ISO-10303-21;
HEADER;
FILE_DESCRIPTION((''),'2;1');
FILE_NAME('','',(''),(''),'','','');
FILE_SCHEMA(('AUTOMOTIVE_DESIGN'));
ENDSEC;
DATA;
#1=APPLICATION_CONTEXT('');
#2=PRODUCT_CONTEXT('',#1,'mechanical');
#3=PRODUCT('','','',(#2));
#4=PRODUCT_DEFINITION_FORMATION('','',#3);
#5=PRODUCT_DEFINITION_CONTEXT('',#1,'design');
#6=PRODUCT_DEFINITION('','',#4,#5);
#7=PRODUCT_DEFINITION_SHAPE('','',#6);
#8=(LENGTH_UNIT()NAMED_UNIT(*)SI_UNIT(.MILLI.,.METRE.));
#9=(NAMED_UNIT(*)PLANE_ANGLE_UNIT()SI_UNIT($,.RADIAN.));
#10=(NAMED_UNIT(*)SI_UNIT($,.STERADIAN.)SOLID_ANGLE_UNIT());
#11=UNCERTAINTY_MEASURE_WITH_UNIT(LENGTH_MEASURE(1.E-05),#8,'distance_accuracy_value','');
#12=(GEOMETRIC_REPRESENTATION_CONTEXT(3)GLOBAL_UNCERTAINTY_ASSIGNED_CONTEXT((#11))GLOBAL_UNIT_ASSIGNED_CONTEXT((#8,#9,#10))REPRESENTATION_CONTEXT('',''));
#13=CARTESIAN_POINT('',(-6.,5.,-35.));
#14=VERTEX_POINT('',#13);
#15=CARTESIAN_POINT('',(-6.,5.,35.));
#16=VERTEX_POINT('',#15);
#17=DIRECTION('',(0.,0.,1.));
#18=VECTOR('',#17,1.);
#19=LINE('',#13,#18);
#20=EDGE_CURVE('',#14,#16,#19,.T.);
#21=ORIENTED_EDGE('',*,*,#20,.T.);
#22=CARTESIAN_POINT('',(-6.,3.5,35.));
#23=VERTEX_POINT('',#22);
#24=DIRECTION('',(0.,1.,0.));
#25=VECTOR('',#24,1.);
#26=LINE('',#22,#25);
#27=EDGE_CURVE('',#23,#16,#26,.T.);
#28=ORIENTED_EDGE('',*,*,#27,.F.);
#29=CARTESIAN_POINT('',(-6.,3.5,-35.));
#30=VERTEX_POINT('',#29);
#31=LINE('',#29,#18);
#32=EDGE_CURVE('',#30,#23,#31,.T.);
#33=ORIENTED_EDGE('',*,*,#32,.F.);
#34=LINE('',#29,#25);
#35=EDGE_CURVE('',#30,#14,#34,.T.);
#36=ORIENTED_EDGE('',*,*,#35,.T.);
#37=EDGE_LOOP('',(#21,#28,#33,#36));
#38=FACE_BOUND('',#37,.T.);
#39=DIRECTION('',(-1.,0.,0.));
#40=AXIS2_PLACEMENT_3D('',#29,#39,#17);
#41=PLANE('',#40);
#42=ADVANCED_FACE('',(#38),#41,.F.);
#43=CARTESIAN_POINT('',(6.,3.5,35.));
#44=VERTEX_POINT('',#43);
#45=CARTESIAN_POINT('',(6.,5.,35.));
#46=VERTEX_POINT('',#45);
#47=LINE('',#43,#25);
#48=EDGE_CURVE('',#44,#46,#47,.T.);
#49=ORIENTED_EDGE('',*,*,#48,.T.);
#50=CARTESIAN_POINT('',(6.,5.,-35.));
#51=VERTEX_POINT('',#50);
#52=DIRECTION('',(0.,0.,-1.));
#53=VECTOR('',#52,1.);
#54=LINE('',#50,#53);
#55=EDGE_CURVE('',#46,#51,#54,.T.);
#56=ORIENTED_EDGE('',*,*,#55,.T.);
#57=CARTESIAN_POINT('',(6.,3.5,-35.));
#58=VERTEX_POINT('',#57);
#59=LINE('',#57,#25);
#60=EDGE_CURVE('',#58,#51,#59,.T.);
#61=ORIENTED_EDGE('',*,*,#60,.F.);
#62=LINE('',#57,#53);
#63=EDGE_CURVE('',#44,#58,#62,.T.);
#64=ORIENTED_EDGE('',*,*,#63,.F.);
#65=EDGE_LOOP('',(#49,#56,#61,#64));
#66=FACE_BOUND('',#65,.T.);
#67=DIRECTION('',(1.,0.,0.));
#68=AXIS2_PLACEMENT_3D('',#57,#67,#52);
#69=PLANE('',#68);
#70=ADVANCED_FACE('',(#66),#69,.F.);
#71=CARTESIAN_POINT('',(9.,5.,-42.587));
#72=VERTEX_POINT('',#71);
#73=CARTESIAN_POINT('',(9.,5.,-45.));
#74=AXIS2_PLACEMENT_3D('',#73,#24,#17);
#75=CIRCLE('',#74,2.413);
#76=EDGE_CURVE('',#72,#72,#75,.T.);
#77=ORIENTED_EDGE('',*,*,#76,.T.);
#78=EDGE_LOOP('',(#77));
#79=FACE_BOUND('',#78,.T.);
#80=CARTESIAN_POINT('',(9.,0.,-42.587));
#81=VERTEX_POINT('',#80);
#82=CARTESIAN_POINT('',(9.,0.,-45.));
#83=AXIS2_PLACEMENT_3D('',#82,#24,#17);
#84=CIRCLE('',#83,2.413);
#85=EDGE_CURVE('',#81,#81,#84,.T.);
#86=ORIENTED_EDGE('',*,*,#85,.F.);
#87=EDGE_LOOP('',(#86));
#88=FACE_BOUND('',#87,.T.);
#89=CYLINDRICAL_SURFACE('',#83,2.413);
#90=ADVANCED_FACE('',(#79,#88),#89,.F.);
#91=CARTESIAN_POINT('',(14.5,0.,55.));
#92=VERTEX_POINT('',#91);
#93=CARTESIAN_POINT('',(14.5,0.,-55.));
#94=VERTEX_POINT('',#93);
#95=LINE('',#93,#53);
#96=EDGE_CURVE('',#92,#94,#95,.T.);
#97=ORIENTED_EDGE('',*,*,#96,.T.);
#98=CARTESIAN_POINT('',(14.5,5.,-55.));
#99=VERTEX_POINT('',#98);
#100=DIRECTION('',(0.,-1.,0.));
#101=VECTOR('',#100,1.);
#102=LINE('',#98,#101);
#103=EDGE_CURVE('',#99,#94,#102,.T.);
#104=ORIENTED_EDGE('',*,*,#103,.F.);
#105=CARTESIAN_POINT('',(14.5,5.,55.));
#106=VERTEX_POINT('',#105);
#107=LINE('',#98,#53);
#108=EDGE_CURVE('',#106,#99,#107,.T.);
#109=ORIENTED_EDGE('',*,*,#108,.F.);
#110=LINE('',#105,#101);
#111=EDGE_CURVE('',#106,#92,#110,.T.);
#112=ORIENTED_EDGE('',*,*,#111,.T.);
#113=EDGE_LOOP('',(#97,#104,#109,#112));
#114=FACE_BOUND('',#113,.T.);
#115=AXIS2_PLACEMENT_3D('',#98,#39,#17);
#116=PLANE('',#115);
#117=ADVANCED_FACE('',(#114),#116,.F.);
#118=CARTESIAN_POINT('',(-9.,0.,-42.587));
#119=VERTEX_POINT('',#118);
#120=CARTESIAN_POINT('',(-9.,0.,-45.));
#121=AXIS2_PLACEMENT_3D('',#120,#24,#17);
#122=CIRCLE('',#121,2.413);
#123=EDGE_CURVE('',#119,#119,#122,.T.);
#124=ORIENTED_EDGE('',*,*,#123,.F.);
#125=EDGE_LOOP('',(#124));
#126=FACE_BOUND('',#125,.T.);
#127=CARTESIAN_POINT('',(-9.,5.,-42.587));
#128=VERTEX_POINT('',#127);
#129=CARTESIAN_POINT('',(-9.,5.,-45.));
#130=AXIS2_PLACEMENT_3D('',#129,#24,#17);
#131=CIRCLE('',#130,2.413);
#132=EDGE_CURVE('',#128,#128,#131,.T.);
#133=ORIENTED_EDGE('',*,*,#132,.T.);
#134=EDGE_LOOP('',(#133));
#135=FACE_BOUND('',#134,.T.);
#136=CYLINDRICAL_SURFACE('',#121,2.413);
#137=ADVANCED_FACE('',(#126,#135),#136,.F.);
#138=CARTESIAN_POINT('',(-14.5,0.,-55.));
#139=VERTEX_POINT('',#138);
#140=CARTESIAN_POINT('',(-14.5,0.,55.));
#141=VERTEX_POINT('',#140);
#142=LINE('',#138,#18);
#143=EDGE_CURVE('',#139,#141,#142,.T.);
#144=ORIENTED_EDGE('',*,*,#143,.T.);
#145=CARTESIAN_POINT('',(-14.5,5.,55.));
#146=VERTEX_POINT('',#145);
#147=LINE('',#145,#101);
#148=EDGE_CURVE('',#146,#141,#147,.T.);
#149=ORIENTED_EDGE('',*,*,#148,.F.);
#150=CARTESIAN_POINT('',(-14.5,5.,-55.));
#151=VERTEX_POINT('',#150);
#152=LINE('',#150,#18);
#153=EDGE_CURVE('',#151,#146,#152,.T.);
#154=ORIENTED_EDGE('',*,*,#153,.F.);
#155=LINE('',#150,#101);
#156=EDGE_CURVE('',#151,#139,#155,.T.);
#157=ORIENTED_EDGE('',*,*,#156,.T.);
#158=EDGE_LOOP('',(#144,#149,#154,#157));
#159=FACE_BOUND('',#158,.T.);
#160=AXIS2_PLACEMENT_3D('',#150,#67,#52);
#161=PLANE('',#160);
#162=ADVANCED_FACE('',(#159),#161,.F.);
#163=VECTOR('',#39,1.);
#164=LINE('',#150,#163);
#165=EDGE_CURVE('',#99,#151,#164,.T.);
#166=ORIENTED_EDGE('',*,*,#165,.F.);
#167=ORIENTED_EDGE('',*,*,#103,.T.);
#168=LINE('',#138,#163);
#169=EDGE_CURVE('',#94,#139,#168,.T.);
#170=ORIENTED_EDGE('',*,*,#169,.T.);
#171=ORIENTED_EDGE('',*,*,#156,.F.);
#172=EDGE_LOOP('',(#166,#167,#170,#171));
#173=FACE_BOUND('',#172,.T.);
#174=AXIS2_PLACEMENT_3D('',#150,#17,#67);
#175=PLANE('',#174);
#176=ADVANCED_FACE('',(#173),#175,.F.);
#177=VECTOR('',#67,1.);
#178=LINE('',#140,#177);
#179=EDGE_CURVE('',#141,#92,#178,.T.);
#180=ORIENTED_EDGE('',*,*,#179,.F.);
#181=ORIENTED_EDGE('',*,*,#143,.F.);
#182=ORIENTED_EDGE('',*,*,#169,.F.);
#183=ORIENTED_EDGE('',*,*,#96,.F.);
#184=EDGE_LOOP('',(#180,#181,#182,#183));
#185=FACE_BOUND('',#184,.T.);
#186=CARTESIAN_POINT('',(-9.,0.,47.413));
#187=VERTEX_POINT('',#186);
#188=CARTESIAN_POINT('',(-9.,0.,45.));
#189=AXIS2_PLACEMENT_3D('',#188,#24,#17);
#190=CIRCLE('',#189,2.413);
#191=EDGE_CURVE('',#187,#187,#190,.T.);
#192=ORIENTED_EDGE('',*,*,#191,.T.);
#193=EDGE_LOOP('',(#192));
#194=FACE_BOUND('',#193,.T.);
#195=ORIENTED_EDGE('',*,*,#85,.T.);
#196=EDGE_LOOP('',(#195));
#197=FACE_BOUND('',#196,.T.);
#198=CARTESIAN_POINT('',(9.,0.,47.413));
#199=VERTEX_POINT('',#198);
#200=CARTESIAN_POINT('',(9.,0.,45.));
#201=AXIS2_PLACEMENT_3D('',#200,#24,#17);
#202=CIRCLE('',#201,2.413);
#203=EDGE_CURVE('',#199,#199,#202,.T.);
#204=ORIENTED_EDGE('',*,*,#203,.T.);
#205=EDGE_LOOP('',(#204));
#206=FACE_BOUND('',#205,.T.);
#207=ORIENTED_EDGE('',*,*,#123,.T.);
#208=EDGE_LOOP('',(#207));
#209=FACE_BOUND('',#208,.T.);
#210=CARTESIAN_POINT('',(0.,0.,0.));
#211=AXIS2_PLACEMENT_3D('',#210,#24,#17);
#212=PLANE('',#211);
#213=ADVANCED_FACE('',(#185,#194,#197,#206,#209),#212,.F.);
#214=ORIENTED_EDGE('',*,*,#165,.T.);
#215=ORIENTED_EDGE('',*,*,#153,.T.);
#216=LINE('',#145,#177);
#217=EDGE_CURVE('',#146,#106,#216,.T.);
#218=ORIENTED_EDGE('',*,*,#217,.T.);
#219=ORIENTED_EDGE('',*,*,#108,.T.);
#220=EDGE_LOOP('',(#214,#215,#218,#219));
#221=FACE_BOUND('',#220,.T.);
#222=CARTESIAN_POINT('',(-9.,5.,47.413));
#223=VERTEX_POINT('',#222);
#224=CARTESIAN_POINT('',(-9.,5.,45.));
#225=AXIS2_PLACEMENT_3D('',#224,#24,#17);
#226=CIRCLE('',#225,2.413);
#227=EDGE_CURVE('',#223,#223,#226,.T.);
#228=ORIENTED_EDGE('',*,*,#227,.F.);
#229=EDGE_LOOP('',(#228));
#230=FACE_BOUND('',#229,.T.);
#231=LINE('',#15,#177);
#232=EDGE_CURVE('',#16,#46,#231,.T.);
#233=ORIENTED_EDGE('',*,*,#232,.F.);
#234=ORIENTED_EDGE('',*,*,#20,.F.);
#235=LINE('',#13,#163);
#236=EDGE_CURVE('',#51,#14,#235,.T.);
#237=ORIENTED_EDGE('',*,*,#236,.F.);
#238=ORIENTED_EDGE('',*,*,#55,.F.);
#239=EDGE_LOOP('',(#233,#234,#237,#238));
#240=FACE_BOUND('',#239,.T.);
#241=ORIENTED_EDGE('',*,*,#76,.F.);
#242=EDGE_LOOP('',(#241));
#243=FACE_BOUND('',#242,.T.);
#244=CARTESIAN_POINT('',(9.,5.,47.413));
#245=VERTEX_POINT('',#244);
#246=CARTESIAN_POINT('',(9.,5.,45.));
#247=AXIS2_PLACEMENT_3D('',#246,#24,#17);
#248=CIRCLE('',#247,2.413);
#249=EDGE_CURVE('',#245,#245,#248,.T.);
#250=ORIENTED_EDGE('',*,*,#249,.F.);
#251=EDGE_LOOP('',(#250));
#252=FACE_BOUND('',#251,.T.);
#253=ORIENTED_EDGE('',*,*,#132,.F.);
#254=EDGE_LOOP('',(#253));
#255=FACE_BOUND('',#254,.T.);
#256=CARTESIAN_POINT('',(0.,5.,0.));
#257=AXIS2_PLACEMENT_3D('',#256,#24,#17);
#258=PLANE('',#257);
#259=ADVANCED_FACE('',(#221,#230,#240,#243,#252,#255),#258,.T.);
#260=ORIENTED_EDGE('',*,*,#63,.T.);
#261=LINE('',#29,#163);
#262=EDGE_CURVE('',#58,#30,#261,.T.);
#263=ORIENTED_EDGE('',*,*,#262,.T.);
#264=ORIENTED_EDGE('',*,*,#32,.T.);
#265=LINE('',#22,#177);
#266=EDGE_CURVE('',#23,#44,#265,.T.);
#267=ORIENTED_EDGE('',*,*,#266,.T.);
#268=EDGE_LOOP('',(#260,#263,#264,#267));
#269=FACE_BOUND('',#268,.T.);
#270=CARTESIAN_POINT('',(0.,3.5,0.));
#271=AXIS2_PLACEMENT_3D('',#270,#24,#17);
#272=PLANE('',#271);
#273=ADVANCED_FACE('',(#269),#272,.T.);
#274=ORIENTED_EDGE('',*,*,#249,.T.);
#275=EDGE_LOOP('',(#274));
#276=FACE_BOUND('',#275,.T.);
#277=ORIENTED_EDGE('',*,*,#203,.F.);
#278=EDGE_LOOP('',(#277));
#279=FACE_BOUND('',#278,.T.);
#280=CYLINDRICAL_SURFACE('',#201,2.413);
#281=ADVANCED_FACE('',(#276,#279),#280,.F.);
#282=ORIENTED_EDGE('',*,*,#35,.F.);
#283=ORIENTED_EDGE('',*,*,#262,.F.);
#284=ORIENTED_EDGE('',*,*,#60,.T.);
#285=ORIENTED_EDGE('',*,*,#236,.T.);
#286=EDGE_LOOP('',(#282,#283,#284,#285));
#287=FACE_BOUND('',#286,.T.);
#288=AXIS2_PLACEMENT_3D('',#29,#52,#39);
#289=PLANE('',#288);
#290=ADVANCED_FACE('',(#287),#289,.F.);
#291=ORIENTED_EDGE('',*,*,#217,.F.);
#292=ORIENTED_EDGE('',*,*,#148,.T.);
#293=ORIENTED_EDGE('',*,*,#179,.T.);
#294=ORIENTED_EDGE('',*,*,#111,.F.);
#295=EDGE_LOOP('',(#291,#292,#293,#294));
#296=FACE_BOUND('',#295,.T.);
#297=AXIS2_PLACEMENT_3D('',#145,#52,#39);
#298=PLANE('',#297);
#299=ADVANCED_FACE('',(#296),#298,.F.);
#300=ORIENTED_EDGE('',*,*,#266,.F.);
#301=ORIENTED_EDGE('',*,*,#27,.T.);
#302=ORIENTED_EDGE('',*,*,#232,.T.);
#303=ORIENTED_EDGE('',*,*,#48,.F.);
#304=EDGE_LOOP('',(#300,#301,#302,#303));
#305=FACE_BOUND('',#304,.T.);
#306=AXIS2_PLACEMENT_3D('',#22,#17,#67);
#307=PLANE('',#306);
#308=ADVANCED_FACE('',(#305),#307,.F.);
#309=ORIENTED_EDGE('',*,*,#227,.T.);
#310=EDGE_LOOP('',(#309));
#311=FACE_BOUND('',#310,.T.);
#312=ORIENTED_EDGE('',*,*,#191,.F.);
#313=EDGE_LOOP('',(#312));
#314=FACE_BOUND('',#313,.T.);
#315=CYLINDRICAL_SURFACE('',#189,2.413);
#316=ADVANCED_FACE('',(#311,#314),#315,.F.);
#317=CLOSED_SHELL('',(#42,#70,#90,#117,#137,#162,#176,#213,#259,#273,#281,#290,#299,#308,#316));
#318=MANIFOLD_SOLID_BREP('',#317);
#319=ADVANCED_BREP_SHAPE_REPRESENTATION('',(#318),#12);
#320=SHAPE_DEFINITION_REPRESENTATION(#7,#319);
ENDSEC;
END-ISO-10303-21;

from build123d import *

# Parameters (mm, degrees)
SKETCH1_W           = 29
SKETCH1_H           = 110
BOSS_EXTRUDE1_DEPTH = 5
SKETCH2_R           = 2.413
CUT_EXTRUDE5_DEPTH  = 58.098598932
SKETCH3_W           = 12
SKETCH3_H           = 70
CUT_EXTRUDE6_DEPTH  = 1.5


with BuildPart() as part:
    # Sketch1 → Boss-Extrude1 (new body)
    with BuildSketch(Plane(origin=(0, 0, 0), x_dir=(1, 0, 0), z_dir=(0, 1, 0))):
        Rectangle(SKETCH1_W, SKETCH1_H)
    extrude(amount=BOSS_EXTRUDE1_DEPTH)

    # Sketch2 → Cut-Extrude5 (cut, through all)
    with BuildSketch(Plane(origin=(0, 5, 0), x_dir=(1, 0, 0), z_dir=(0, 1, 0))):
        with Locations(Location((-9, 45, 0), (0, 0, 270))):
            Circle(SKETCH2_R)
        with Locations(Location((9, 45, 0), (0, 0, 270))):
            Circle(SKETCH2_R)
        with Locations(Location((9, -45, 0), (0, 0, 270))):
            Circle(SKETCH2_R)
        with Locations(Location((-9, -45, 0), (0, 0, 270))):
            Circle(SKETCH2_R)
    extrude(amount=-CUT_EXTRUDE5_DEPTH, mode=Mode.SUBTRACT)

    # Sketch3 → Cut-Extrude6 (cut)
    with BuildSketch(Plane(origin=(0, 5, 0), x_dir=(1, 0, 0), z_dir=(0, 1, 0))):
        Rectangle(SKETCH3_W, SKETCH3_H)
    extrude(amount=-CUT_EXTRUDE6_DEPTH, mode=Mode.SUBTRACT)


solid = part.part
